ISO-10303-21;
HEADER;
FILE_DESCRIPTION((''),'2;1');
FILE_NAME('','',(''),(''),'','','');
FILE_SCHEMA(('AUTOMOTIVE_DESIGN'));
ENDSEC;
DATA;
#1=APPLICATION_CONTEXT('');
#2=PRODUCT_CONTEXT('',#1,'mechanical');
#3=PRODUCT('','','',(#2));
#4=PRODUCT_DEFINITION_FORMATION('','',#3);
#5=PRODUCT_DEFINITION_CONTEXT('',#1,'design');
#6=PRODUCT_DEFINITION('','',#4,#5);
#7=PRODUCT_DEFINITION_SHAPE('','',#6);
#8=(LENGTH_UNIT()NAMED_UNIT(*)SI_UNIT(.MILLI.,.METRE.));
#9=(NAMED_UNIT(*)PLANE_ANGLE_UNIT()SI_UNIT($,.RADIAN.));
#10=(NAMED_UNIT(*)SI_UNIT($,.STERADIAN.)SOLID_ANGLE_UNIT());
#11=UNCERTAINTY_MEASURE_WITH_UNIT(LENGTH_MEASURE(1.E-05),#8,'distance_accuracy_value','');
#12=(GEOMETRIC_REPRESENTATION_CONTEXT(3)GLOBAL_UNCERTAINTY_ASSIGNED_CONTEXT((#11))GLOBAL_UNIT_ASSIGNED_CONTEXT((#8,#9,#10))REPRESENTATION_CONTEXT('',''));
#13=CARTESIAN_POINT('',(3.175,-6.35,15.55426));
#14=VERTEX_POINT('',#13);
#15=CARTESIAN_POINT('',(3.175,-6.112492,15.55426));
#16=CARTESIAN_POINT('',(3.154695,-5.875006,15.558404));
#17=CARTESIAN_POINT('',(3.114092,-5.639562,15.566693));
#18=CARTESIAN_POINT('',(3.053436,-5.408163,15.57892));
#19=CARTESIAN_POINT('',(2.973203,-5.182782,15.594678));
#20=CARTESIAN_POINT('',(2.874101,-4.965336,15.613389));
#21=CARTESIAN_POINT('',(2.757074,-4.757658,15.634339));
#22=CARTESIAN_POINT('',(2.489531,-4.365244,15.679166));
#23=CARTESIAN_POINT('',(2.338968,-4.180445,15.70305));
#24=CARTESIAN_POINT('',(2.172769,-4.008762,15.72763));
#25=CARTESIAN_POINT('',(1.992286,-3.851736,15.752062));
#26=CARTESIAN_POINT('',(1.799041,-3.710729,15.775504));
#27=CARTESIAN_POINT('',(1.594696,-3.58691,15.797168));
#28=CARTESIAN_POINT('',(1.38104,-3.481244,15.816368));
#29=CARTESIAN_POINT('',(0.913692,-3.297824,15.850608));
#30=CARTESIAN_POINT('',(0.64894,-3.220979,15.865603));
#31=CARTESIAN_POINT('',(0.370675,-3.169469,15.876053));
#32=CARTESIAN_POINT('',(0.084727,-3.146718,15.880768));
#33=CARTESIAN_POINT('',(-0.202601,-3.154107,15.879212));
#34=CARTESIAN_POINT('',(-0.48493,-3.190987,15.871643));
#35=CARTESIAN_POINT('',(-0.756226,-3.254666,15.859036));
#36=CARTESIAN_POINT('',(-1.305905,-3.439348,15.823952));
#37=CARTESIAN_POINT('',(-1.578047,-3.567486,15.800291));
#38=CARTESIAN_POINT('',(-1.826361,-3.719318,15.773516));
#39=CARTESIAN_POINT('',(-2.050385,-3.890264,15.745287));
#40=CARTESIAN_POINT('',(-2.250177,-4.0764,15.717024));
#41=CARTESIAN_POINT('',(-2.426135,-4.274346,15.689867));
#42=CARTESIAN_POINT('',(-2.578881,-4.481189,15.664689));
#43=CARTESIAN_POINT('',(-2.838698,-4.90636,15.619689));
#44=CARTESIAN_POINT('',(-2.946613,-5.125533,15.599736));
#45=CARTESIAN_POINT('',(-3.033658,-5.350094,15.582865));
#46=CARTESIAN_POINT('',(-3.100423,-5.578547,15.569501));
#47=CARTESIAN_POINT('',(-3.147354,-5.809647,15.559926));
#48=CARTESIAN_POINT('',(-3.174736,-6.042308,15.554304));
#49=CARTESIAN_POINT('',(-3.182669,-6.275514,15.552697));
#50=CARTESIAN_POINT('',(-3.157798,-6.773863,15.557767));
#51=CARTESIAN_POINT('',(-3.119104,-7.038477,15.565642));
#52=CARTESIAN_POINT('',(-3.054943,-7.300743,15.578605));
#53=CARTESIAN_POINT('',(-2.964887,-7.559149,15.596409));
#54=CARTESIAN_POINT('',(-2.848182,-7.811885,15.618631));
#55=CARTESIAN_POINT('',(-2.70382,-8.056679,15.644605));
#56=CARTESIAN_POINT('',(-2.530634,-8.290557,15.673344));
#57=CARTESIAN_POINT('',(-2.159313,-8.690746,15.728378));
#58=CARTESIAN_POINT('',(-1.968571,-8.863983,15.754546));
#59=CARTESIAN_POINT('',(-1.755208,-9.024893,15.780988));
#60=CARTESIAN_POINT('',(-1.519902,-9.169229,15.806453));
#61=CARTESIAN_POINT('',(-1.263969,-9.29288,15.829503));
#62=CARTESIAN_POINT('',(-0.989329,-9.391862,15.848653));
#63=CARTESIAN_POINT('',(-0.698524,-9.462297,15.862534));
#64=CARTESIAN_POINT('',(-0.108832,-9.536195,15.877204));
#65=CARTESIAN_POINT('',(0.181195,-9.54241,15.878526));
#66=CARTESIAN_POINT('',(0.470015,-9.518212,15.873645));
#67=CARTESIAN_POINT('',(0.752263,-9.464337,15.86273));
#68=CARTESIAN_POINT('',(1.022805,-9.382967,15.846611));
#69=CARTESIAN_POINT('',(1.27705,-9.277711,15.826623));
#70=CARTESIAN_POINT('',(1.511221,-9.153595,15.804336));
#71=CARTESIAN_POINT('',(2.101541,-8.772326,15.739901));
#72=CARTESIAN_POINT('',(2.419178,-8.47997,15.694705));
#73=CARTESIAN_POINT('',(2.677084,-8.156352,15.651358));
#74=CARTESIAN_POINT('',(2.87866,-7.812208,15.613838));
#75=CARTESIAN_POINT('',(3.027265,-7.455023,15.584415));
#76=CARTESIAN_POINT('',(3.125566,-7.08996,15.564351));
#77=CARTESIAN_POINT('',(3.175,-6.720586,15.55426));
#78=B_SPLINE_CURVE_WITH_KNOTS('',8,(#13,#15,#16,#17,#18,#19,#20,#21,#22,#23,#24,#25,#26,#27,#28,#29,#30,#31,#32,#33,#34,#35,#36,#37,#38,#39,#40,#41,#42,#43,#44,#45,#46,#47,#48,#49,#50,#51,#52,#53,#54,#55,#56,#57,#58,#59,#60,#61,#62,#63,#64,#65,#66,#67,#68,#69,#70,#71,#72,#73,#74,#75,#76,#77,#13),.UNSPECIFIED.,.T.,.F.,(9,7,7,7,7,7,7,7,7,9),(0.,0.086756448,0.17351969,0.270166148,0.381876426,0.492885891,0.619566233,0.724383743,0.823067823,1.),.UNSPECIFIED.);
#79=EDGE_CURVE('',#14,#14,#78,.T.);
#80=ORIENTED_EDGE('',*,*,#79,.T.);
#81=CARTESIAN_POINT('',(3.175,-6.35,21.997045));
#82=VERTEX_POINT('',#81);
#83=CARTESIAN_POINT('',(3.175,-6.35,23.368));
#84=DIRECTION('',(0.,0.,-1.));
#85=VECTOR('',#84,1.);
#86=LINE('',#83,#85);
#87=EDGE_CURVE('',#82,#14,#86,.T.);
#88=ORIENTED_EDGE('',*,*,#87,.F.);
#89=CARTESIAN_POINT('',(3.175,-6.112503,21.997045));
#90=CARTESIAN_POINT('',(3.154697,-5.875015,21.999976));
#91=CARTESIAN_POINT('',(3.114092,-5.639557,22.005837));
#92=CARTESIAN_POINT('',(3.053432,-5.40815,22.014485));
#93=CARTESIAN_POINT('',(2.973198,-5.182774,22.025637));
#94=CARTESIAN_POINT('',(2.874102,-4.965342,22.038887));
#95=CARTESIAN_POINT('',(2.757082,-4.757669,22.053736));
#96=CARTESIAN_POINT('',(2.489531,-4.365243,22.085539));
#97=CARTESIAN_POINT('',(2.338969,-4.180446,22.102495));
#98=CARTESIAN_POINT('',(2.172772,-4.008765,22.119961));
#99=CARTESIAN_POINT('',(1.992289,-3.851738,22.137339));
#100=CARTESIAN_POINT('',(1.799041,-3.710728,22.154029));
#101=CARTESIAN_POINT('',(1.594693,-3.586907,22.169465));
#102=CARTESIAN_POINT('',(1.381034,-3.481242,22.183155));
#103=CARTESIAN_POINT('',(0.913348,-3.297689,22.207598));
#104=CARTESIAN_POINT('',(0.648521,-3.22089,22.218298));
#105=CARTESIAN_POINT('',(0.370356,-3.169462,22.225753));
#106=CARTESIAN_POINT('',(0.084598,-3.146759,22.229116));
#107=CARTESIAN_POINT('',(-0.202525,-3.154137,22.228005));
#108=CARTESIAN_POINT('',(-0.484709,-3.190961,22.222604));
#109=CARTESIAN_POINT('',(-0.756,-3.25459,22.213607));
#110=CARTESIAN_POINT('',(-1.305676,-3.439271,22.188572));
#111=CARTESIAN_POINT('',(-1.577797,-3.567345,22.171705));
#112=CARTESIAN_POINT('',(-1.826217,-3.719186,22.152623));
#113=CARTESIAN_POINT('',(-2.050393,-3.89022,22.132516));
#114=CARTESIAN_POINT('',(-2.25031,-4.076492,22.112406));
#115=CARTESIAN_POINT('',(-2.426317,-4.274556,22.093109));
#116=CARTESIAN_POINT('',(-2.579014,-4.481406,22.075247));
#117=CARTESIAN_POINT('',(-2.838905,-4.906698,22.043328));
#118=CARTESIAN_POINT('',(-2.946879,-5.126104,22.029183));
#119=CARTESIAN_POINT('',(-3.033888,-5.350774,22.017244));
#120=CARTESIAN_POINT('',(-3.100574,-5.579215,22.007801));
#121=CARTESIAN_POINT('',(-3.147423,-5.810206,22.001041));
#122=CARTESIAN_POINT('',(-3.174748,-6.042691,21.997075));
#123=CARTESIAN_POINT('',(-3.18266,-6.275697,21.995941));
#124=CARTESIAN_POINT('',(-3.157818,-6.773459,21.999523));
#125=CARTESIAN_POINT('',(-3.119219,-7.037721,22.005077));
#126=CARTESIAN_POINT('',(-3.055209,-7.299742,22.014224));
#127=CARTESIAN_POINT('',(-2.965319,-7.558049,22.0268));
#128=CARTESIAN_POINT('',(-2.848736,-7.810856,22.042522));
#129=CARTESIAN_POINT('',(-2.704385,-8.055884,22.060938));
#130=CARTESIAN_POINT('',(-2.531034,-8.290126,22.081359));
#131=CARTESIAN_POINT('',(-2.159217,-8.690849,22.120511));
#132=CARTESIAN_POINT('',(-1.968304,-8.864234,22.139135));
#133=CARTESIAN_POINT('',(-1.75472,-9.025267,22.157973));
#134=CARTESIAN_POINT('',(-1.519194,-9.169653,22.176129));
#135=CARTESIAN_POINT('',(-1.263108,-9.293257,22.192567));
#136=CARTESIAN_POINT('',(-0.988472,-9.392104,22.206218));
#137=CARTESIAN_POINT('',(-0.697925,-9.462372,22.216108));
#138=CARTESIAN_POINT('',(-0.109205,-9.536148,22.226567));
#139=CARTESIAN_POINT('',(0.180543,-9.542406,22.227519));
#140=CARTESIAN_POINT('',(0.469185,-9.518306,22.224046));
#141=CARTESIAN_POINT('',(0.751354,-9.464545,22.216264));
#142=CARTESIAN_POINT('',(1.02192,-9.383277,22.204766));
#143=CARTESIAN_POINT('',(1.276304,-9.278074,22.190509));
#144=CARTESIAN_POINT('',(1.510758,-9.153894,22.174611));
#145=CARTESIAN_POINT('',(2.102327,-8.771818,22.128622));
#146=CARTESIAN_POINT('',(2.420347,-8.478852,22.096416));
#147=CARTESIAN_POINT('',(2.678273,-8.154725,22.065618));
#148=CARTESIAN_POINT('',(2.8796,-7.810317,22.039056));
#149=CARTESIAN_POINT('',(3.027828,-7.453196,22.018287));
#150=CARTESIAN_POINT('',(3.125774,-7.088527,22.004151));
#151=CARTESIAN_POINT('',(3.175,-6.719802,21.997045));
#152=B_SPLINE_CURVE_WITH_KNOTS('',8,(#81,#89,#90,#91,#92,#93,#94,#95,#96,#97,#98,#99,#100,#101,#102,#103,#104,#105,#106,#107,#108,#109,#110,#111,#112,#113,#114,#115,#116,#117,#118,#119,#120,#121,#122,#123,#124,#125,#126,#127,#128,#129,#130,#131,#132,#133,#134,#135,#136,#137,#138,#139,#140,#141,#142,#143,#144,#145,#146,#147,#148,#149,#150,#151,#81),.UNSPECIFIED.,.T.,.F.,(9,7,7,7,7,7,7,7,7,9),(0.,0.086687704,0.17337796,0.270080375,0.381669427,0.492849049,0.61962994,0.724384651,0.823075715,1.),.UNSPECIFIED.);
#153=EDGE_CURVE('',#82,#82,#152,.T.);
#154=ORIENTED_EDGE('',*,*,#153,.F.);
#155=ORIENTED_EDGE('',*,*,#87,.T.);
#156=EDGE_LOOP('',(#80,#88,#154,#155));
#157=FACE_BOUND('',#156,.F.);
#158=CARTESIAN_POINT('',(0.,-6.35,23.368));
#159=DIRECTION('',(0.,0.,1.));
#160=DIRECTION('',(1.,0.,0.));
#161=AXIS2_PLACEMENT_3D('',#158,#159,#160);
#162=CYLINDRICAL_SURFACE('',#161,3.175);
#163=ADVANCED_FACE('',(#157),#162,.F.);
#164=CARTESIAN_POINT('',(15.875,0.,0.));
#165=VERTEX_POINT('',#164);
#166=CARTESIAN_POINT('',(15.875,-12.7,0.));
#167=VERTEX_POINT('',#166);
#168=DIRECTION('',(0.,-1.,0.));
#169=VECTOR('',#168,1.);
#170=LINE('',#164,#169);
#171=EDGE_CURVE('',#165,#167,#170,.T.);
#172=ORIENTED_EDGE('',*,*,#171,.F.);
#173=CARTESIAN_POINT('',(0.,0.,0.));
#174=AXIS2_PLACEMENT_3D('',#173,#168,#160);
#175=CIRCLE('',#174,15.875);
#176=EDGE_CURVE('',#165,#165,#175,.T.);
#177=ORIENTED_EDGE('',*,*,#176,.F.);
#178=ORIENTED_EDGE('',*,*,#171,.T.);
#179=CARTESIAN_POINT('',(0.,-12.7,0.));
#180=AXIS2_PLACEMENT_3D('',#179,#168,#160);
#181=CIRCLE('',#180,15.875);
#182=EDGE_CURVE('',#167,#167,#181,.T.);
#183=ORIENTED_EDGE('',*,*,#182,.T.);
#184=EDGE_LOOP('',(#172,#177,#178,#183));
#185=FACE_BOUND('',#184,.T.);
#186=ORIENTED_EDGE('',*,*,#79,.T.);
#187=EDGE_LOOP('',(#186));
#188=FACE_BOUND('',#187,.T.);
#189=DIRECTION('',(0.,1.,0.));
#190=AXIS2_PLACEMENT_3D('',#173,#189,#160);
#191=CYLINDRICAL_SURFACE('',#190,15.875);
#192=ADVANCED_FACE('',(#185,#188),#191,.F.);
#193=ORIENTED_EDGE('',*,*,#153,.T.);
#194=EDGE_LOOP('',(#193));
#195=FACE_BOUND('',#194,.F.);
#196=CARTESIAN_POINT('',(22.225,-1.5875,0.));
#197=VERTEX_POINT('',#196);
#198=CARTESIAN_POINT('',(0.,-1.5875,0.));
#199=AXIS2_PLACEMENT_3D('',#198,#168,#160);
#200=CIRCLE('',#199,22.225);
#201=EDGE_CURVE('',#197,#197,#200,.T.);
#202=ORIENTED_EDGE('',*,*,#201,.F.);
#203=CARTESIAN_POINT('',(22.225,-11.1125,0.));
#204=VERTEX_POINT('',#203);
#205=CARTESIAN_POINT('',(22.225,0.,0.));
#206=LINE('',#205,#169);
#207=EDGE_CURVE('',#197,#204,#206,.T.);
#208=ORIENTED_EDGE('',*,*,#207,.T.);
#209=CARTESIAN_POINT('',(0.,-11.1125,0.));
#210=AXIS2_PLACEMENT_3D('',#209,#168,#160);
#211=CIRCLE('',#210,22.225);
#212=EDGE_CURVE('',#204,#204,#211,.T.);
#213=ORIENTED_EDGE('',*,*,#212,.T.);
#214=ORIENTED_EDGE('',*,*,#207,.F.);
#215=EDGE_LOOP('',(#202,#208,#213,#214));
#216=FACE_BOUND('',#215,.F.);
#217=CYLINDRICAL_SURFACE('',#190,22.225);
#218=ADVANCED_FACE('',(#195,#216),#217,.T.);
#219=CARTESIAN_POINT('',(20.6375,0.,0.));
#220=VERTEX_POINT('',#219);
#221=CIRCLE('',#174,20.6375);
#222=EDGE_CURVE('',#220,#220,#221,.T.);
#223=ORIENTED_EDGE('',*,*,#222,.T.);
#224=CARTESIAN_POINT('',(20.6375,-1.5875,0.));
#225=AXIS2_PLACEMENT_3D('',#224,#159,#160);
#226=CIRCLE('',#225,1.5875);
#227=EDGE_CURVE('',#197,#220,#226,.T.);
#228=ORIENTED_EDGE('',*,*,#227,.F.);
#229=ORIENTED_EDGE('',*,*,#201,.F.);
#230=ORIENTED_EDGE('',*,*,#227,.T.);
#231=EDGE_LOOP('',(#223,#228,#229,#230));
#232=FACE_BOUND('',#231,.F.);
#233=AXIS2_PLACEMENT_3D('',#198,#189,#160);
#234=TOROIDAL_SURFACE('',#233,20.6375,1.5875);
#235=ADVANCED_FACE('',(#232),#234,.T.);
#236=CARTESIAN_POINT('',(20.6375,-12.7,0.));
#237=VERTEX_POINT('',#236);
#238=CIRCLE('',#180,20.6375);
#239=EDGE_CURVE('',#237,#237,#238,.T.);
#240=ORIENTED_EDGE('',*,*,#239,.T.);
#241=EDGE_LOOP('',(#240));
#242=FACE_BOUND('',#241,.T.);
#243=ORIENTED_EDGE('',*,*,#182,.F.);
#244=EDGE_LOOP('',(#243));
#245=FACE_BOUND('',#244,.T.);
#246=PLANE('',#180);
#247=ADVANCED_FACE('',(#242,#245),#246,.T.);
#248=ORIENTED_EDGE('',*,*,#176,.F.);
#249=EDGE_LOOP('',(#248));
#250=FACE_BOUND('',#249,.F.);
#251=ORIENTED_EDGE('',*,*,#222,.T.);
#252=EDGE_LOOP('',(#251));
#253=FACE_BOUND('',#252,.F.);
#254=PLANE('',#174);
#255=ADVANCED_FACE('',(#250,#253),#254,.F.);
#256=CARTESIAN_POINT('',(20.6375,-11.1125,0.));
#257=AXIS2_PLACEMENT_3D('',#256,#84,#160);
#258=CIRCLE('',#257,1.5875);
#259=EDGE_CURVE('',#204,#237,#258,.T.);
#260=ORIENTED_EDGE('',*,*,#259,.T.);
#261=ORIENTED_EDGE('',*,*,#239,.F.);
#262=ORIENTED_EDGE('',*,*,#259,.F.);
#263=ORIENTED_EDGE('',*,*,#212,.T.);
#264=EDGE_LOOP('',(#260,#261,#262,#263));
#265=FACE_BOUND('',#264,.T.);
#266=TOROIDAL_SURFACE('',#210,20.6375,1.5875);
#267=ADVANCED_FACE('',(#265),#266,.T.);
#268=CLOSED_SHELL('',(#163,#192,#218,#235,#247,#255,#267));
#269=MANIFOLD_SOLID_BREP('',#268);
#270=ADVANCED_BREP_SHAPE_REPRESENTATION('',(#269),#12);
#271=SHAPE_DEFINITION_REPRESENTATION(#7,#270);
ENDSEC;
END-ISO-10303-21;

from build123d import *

# Parameters (mm, degrees)
F0_R     = 22.225
F0_R_2   = 15.875
F1_DEPTH = 12.7
F3_R     = 3.175
F4_DEPTH = 12.7
F5_R     = 1.5875


with BuildPart() as f1:
    # F0 (on Front) → F1 (new body)
    with BuildSketch(Plane.XZ):
        Circle(F0_R)
        Circle(F0_R_2, mode=Mode.SUBTRACT)
    extrude(amount=F1_DEPTH)

    # F3 (on offset) → F4 (cut)
    with BuildSketch(Plane.XY.offset(23.368)):
        with Locations((0, -6.35)):
            Circle(F3_R)
    extrude(amount=-F4_DEPTH, mode=Mode.SUBTRACT)

    # F5
    f5_edges = [f1.edges().sort_by_distance(p)[0] for p in [
        (-22.225, -12.7, 0),
        (-22.225, 0, 0),
    ]]
    fillet(f5_edges, radius=F5_R)


solid = f1.part
